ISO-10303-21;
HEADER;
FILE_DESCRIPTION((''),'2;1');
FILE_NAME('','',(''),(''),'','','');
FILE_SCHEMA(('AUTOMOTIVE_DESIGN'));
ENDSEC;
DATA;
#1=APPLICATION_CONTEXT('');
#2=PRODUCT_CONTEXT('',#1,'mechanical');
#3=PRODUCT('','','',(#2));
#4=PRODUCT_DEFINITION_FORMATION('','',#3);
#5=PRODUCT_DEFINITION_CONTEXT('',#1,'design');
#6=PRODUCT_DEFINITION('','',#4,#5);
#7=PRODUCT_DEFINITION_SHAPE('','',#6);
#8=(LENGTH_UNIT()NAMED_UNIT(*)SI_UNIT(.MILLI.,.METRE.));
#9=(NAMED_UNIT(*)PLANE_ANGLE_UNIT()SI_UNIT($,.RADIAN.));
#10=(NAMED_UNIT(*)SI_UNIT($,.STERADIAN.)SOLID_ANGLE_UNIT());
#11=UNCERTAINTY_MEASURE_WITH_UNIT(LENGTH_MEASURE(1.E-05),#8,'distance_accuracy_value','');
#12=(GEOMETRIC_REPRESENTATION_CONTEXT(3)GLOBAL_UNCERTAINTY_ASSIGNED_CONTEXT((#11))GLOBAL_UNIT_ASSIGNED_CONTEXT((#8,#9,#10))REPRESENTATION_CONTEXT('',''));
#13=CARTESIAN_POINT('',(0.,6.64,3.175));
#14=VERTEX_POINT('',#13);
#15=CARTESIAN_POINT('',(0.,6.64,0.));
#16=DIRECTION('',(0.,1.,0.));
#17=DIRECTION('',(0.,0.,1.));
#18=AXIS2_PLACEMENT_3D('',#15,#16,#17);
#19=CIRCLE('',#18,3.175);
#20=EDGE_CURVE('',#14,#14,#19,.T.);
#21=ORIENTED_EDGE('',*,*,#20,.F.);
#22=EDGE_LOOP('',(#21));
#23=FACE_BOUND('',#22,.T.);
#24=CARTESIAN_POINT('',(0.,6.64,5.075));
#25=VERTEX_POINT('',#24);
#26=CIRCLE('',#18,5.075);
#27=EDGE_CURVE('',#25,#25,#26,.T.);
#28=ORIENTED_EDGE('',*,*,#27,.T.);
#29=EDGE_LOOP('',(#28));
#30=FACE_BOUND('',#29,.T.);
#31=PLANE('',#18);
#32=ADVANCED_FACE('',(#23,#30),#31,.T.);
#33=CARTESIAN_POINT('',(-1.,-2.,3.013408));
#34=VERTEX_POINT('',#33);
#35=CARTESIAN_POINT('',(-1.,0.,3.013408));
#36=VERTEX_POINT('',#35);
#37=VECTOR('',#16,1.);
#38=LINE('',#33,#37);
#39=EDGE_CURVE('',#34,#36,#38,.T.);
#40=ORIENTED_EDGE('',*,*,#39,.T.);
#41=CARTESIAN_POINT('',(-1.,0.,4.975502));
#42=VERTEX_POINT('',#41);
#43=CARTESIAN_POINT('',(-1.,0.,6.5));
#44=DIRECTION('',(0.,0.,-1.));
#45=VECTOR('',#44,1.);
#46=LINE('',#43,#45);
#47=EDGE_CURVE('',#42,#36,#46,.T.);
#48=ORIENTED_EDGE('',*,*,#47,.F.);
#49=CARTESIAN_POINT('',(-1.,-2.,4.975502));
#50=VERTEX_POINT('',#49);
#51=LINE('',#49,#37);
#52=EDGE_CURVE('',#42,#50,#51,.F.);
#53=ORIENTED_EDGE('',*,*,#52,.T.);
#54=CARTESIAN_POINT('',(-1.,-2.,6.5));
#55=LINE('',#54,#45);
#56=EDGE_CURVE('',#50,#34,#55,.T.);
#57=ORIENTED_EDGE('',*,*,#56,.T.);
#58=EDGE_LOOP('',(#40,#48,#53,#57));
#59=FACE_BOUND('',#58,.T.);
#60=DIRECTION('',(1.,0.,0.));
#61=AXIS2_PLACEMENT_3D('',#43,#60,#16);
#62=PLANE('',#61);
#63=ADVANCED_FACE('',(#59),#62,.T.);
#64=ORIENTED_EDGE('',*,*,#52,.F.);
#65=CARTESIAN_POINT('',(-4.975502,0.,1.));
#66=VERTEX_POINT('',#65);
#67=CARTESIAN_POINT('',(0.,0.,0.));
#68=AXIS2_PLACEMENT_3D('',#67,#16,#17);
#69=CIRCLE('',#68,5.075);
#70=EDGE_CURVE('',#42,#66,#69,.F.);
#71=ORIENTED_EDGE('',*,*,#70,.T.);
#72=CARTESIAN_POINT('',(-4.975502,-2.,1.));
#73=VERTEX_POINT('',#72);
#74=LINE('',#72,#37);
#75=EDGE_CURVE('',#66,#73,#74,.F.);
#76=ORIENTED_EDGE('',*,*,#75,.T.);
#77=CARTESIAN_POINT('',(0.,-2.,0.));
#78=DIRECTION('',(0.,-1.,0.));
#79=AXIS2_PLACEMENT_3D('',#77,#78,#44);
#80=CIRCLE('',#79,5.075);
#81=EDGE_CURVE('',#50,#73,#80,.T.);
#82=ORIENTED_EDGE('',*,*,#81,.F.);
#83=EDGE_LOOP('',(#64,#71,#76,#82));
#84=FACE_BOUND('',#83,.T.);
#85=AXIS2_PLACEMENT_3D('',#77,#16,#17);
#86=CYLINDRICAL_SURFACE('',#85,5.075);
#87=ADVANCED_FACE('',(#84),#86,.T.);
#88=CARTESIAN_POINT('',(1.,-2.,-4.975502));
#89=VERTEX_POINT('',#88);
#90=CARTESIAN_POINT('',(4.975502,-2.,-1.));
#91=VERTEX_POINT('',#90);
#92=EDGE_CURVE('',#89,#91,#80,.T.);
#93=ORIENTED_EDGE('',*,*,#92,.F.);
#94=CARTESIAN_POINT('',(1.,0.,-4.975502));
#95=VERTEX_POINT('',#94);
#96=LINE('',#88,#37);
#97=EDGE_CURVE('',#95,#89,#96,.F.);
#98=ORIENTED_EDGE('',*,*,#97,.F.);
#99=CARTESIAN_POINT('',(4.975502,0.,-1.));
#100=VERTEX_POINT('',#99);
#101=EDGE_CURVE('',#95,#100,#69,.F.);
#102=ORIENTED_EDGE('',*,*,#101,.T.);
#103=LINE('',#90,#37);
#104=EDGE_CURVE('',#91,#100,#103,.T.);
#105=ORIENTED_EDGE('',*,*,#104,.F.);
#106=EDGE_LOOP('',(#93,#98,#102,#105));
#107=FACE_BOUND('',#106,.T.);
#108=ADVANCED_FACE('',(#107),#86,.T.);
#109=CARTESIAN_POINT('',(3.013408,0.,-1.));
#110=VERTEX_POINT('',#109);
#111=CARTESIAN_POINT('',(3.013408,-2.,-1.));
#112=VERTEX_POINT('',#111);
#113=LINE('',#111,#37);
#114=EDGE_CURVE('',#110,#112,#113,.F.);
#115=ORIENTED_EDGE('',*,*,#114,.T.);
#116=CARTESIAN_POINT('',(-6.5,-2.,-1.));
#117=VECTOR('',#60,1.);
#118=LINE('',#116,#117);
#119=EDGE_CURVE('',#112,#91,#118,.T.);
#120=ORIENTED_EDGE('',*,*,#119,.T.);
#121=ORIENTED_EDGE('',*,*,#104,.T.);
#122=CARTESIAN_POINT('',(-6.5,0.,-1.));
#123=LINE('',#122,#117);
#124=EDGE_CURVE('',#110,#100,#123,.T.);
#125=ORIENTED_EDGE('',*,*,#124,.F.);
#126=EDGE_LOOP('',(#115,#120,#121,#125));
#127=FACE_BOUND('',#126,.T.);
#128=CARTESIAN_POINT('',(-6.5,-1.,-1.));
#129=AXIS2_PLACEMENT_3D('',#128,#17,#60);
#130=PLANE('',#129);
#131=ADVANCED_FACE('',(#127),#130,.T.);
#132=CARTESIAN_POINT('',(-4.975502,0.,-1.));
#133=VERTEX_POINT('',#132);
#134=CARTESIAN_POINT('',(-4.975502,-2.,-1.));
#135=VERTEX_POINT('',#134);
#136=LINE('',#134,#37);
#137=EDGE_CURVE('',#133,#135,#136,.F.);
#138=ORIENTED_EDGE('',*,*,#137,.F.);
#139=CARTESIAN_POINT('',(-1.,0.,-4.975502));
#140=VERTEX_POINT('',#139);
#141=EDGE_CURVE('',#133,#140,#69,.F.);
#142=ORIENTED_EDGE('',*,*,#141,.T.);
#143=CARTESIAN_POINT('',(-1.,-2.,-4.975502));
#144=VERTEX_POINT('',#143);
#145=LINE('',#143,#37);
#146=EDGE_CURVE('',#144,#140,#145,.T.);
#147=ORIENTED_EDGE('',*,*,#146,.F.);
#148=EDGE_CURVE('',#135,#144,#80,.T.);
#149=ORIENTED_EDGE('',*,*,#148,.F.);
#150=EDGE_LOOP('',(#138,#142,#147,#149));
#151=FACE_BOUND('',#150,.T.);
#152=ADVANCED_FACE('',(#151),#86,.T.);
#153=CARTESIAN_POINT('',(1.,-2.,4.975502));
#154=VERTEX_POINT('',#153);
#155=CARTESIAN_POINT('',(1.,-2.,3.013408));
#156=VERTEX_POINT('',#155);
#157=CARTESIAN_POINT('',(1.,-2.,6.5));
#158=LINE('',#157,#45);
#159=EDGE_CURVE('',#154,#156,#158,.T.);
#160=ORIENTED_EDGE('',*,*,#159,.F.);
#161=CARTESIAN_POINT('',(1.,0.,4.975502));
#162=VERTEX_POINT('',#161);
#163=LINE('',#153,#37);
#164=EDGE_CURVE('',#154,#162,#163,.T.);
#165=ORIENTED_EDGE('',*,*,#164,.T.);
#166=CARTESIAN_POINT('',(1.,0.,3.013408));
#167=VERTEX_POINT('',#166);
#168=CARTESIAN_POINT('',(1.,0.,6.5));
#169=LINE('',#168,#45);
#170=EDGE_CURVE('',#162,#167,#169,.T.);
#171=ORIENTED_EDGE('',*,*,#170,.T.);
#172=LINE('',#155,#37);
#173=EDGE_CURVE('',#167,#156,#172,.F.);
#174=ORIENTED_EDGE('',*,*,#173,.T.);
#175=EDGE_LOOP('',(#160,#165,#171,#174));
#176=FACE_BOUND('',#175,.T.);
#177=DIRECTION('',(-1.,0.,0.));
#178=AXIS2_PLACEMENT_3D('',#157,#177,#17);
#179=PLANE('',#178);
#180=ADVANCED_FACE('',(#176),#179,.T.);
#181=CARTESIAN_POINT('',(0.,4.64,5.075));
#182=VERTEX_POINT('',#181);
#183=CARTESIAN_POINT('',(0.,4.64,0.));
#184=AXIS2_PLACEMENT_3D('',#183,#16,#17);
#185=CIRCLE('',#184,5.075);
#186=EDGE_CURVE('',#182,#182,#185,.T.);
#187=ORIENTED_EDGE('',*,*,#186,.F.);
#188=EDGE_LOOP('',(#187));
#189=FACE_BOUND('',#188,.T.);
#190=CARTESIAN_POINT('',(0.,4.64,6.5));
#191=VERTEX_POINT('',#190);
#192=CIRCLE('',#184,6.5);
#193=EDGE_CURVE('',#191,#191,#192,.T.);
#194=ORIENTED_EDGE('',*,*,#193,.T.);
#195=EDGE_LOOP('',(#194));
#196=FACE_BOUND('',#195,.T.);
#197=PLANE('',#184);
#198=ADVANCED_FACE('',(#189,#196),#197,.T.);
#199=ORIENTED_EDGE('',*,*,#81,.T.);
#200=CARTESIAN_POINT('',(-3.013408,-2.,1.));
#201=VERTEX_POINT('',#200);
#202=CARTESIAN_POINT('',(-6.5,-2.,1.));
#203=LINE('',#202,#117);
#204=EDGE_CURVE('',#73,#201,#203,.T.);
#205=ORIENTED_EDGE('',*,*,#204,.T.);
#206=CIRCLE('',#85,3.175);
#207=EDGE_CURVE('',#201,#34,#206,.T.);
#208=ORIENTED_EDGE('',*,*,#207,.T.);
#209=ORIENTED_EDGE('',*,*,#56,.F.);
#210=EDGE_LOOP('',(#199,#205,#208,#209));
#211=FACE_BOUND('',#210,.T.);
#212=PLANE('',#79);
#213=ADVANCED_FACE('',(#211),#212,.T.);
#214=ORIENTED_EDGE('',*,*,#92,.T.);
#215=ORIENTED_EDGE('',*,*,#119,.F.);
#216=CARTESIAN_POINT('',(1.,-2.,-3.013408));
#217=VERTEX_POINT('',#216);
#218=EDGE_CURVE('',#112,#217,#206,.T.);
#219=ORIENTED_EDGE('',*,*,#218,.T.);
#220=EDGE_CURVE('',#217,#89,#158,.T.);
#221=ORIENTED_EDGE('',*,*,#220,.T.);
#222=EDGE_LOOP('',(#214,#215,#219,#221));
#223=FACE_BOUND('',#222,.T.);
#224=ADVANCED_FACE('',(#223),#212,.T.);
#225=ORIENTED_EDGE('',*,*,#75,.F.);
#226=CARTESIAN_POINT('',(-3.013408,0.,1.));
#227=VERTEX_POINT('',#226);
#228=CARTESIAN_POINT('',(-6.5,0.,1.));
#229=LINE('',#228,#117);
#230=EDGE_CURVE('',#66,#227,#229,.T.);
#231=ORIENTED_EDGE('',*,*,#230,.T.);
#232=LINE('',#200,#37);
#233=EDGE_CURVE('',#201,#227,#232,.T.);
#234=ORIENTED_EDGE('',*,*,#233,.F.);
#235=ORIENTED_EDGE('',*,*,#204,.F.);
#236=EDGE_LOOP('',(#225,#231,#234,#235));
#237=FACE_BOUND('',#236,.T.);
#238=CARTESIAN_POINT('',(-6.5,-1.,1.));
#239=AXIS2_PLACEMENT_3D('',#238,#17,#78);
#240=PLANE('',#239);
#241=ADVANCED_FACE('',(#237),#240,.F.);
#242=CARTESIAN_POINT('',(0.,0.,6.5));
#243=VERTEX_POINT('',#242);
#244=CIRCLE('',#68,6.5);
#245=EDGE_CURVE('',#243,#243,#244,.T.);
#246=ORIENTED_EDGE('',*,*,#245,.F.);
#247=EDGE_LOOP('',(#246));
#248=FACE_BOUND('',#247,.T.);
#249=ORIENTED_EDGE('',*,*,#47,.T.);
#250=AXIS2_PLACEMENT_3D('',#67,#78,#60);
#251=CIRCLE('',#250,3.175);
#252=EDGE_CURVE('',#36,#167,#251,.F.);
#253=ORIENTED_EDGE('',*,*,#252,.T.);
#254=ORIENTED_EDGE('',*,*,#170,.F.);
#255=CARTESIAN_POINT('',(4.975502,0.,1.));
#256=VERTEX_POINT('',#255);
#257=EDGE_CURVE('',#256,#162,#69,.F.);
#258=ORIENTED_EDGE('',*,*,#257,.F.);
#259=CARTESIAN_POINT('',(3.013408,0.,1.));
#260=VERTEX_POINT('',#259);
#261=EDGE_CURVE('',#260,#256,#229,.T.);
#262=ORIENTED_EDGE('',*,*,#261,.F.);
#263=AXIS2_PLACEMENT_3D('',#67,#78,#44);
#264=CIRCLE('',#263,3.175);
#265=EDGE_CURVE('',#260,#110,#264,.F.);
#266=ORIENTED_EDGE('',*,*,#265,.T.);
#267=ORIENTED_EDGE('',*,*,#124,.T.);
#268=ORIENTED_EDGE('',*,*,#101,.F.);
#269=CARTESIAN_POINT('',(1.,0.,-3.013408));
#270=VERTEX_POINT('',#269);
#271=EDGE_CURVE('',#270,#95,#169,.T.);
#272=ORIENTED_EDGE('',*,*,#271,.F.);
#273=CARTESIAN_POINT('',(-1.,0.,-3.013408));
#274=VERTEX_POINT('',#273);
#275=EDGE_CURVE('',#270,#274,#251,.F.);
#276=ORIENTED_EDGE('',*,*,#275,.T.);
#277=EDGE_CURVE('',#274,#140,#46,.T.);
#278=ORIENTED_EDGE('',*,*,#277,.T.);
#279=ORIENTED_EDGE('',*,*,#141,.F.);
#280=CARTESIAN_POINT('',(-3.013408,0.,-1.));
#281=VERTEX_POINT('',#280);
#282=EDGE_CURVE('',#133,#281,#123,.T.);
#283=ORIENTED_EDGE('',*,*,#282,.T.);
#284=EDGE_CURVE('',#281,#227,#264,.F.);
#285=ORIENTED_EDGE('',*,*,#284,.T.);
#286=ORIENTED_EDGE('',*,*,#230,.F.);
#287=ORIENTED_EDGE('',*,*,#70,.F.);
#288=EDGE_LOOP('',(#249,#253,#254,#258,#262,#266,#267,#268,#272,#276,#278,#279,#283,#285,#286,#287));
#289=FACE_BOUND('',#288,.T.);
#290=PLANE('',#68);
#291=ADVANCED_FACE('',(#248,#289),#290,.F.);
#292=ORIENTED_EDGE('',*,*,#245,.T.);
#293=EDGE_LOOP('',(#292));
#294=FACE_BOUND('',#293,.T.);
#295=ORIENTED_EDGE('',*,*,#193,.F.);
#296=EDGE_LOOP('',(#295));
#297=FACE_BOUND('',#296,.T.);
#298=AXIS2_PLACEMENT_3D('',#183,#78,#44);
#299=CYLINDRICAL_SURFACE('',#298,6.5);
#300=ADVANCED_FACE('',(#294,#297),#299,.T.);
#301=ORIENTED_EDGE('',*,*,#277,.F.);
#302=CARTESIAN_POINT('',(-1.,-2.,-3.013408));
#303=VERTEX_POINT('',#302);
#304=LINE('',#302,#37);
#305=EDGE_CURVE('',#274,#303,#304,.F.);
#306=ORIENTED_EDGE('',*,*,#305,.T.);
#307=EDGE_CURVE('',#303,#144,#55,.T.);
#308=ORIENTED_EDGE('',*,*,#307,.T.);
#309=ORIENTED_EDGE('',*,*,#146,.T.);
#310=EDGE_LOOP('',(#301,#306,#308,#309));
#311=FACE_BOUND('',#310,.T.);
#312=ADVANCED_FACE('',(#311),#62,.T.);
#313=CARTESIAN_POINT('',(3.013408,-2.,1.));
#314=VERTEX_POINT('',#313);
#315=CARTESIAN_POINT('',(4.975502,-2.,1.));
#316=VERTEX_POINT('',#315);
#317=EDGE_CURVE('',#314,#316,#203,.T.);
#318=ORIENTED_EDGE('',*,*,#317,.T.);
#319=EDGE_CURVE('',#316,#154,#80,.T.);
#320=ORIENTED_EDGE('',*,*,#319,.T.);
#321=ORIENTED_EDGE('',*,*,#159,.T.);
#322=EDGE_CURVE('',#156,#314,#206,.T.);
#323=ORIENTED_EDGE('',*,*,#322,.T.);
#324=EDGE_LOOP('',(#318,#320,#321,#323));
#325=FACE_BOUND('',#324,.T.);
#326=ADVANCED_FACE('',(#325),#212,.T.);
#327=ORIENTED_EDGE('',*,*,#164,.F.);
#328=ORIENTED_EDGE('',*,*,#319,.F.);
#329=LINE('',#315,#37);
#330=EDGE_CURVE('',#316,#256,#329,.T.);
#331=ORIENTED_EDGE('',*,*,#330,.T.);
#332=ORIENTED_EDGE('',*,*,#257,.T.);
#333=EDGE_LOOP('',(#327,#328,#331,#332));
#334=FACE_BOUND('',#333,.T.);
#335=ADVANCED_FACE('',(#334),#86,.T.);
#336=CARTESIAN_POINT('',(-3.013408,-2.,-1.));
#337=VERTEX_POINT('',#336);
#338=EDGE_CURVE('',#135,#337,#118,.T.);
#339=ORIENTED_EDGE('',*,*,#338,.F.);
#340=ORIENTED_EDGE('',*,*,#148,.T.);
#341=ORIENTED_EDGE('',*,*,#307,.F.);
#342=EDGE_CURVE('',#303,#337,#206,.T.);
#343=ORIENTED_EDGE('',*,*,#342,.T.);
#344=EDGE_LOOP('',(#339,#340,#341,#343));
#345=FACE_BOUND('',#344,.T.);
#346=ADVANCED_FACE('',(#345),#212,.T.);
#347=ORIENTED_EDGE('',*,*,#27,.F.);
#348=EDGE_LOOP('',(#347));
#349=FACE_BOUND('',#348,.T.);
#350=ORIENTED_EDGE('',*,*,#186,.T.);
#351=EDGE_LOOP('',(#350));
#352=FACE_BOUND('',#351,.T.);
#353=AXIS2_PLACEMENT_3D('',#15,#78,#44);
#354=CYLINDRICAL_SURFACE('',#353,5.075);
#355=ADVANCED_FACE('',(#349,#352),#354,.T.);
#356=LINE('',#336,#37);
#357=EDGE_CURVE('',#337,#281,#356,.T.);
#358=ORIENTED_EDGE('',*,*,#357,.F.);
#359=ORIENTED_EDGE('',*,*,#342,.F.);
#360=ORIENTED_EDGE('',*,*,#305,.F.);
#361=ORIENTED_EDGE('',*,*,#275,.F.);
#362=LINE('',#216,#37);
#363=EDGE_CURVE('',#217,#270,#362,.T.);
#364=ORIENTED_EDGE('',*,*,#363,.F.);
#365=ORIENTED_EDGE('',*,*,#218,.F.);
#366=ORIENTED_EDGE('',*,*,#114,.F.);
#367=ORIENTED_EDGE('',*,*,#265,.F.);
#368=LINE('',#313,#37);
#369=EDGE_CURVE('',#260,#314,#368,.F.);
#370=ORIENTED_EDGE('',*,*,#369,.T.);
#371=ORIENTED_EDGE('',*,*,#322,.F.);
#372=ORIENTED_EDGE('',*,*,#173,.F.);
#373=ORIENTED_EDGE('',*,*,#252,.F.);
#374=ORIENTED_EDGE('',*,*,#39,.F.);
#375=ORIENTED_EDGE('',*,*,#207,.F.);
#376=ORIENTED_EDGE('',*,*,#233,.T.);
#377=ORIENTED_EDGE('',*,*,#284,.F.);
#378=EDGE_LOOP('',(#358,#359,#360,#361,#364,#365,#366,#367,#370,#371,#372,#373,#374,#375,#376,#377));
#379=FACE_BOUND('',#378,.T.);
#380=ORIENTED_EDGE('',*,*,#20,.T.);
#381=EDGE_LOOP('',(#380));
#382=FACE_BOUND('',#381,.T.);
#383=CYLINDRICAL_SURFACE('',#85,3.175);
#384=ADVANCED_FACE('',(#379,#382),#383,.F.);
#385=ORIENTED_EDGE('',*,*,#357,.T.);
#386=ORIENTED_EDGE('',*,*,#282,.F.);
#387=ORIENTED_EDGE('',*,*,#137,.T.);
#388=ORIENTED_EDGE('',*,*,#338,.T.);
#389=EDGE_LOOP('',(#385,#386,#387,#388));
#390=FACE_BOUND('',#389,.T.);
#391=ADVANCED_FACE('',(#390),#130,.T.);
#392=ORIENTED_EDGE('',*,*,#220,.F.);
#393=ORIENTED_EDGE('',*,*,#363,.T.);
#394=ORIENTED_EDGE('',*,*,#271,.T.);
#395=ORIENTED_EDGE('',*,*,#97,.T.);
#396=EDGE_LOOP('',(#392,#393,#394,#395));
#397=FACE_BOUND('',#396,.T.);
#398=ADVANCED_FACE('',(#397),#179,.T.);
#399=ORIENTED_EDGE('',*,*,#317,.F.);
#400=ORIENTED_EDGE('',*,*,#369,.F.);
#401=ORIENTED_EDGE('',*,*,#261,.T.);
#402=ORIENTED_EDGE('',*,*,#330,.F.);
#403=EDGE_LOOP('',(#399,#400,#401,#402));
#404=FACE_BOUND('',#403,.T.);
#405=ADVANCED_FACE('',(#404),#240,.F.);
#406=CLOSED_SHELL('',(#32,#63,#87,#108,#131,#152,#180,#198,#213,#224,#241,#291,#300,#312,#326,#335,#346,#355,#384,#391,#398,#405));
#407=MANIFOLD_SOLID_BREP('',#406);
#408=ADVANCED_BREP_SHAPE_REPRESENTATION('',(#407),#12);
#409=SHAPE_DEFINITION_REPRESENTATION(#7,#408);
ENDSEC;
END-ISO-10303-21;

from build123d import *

# Parameters (mm, degrees)
SKETCH1_R               = 6.5
BOSS_EXTRUDE1_DEPTH     = 4.64
SKETCH2_R               = 5.075
BOSS_EXTRUDE2_DEPTH     = 2
BOSS_EXTRUDE3_START     = 2
SKETCH3_R               = 5.075
BOSS_EXTRUDE3_DEPTH     = 2
SKETCH4_R               = 3.175
CUT_EXTRUDE1_DEPTH      = 13.615450844
CUT_EXTRUDE2_DEPTH      = 12.339735447
CUT_EXTRUDE2_DEPTH_BACK = 12.339735447
CUT_EXTRUDE3_DEPTH      = 12.339735447
CUT_EXTRUDE3_DEPTH_BACK = 12.339735447
SKETCH6_W               = 1
SKETCH6_H               = 2


with BuildPart() as part:
    # Sketch1 → Boss-Extrude1 (new body)
    with BuildSketch(Plane(origin=(0, 0, 0), x_dir=(1, 0, 0), z_dir=(0, 1, 0))):
        with Locations(Location((0, 0, 0), (0, 0, 270))):
            Circle(SKETCH1_R)
    extrude(amount=BOSS_EXTRUDE1_DEPTH)

    # Sketch2 → Boss-Extrude2 (add)
    with BuildSketch(Plane(origin=(0, 4.64, 0), x_dir=(1, 0, 0), z_dir=(0, 1, 0))):
        with Locations(Location((0, 0, 0), (0, 0, 270))):
            Circle(SKETCH2_R)
    extrude(amount=BOSS_EXTRUDE2_DEPTH)

    # Sketch3 → Boss-Extrude3 (add)
    with BuildSketch(Plane.XZ.offset(BOSS_EXTRUDE3_START)):
        with Locations(Location((0, 0, 0), (0, 0, 90))):
            Circle(SKETCH3_R)
    extrude(amount=-BOSS_EXTRUDE3_DEPTH)

    # Sketch4 → Cut-Extrude1 (cut, through all)
    with BuildSketch(Plane(origin=(0, 6.64, 0), x_dir=(1, 0, 0), z_dir=(0, 1, 0))):
        with Locations(Location((0, 0, 0), (0, 0, 270))):
            Circle(SKETCH4_R)
    extrude(amount=-CUT_EXTRUDE1_DEPTH, mode=Mode.SUBTRACT)

    # Sketch5 → Cut-Extrude2 (cut, two sides: drawn at the far end of the back side and taken through both)
    with BuildSketch(Plane.XY.offset(-CUT_EXTRUDE2_DEPTH_BACK)):
        Polygon((0, 0), (-1, 0), (-1, -2), (1, -2), (1, 0), align=None)
    extrude(amount=CUT_EXTRUDE2_DEPTH + CUT_EXTRUDE2_DEPTH_BACK, mode=Mode.SUBTRACT)

    # Sketch6 → Cut-Extrude3 (cut, two sides: drawn at the far end of the back side and taken through both)
    with BuildSketch(Plane(origin=(0, 0, 0), x_dir=(0, 0, -1), z_dir=(1, 0, 0)).offset(-CUT_EXTRUDE3_DEPTH_BACK)):
        with Locations((0.5, -1)):
            Rectangle(SKETCH6_W, SKETCH6_H)
        with Locations((-0.5, -1)):
            Rectangle(SKETCH6_W, SKETCH6_H)
    extrude(amount=CUT_EXTRUDE3_DEPTH + CUT_EXTRUDE3_DEPTH_BACK, mode=Mode.SUBTRACT)


solid = part.part
